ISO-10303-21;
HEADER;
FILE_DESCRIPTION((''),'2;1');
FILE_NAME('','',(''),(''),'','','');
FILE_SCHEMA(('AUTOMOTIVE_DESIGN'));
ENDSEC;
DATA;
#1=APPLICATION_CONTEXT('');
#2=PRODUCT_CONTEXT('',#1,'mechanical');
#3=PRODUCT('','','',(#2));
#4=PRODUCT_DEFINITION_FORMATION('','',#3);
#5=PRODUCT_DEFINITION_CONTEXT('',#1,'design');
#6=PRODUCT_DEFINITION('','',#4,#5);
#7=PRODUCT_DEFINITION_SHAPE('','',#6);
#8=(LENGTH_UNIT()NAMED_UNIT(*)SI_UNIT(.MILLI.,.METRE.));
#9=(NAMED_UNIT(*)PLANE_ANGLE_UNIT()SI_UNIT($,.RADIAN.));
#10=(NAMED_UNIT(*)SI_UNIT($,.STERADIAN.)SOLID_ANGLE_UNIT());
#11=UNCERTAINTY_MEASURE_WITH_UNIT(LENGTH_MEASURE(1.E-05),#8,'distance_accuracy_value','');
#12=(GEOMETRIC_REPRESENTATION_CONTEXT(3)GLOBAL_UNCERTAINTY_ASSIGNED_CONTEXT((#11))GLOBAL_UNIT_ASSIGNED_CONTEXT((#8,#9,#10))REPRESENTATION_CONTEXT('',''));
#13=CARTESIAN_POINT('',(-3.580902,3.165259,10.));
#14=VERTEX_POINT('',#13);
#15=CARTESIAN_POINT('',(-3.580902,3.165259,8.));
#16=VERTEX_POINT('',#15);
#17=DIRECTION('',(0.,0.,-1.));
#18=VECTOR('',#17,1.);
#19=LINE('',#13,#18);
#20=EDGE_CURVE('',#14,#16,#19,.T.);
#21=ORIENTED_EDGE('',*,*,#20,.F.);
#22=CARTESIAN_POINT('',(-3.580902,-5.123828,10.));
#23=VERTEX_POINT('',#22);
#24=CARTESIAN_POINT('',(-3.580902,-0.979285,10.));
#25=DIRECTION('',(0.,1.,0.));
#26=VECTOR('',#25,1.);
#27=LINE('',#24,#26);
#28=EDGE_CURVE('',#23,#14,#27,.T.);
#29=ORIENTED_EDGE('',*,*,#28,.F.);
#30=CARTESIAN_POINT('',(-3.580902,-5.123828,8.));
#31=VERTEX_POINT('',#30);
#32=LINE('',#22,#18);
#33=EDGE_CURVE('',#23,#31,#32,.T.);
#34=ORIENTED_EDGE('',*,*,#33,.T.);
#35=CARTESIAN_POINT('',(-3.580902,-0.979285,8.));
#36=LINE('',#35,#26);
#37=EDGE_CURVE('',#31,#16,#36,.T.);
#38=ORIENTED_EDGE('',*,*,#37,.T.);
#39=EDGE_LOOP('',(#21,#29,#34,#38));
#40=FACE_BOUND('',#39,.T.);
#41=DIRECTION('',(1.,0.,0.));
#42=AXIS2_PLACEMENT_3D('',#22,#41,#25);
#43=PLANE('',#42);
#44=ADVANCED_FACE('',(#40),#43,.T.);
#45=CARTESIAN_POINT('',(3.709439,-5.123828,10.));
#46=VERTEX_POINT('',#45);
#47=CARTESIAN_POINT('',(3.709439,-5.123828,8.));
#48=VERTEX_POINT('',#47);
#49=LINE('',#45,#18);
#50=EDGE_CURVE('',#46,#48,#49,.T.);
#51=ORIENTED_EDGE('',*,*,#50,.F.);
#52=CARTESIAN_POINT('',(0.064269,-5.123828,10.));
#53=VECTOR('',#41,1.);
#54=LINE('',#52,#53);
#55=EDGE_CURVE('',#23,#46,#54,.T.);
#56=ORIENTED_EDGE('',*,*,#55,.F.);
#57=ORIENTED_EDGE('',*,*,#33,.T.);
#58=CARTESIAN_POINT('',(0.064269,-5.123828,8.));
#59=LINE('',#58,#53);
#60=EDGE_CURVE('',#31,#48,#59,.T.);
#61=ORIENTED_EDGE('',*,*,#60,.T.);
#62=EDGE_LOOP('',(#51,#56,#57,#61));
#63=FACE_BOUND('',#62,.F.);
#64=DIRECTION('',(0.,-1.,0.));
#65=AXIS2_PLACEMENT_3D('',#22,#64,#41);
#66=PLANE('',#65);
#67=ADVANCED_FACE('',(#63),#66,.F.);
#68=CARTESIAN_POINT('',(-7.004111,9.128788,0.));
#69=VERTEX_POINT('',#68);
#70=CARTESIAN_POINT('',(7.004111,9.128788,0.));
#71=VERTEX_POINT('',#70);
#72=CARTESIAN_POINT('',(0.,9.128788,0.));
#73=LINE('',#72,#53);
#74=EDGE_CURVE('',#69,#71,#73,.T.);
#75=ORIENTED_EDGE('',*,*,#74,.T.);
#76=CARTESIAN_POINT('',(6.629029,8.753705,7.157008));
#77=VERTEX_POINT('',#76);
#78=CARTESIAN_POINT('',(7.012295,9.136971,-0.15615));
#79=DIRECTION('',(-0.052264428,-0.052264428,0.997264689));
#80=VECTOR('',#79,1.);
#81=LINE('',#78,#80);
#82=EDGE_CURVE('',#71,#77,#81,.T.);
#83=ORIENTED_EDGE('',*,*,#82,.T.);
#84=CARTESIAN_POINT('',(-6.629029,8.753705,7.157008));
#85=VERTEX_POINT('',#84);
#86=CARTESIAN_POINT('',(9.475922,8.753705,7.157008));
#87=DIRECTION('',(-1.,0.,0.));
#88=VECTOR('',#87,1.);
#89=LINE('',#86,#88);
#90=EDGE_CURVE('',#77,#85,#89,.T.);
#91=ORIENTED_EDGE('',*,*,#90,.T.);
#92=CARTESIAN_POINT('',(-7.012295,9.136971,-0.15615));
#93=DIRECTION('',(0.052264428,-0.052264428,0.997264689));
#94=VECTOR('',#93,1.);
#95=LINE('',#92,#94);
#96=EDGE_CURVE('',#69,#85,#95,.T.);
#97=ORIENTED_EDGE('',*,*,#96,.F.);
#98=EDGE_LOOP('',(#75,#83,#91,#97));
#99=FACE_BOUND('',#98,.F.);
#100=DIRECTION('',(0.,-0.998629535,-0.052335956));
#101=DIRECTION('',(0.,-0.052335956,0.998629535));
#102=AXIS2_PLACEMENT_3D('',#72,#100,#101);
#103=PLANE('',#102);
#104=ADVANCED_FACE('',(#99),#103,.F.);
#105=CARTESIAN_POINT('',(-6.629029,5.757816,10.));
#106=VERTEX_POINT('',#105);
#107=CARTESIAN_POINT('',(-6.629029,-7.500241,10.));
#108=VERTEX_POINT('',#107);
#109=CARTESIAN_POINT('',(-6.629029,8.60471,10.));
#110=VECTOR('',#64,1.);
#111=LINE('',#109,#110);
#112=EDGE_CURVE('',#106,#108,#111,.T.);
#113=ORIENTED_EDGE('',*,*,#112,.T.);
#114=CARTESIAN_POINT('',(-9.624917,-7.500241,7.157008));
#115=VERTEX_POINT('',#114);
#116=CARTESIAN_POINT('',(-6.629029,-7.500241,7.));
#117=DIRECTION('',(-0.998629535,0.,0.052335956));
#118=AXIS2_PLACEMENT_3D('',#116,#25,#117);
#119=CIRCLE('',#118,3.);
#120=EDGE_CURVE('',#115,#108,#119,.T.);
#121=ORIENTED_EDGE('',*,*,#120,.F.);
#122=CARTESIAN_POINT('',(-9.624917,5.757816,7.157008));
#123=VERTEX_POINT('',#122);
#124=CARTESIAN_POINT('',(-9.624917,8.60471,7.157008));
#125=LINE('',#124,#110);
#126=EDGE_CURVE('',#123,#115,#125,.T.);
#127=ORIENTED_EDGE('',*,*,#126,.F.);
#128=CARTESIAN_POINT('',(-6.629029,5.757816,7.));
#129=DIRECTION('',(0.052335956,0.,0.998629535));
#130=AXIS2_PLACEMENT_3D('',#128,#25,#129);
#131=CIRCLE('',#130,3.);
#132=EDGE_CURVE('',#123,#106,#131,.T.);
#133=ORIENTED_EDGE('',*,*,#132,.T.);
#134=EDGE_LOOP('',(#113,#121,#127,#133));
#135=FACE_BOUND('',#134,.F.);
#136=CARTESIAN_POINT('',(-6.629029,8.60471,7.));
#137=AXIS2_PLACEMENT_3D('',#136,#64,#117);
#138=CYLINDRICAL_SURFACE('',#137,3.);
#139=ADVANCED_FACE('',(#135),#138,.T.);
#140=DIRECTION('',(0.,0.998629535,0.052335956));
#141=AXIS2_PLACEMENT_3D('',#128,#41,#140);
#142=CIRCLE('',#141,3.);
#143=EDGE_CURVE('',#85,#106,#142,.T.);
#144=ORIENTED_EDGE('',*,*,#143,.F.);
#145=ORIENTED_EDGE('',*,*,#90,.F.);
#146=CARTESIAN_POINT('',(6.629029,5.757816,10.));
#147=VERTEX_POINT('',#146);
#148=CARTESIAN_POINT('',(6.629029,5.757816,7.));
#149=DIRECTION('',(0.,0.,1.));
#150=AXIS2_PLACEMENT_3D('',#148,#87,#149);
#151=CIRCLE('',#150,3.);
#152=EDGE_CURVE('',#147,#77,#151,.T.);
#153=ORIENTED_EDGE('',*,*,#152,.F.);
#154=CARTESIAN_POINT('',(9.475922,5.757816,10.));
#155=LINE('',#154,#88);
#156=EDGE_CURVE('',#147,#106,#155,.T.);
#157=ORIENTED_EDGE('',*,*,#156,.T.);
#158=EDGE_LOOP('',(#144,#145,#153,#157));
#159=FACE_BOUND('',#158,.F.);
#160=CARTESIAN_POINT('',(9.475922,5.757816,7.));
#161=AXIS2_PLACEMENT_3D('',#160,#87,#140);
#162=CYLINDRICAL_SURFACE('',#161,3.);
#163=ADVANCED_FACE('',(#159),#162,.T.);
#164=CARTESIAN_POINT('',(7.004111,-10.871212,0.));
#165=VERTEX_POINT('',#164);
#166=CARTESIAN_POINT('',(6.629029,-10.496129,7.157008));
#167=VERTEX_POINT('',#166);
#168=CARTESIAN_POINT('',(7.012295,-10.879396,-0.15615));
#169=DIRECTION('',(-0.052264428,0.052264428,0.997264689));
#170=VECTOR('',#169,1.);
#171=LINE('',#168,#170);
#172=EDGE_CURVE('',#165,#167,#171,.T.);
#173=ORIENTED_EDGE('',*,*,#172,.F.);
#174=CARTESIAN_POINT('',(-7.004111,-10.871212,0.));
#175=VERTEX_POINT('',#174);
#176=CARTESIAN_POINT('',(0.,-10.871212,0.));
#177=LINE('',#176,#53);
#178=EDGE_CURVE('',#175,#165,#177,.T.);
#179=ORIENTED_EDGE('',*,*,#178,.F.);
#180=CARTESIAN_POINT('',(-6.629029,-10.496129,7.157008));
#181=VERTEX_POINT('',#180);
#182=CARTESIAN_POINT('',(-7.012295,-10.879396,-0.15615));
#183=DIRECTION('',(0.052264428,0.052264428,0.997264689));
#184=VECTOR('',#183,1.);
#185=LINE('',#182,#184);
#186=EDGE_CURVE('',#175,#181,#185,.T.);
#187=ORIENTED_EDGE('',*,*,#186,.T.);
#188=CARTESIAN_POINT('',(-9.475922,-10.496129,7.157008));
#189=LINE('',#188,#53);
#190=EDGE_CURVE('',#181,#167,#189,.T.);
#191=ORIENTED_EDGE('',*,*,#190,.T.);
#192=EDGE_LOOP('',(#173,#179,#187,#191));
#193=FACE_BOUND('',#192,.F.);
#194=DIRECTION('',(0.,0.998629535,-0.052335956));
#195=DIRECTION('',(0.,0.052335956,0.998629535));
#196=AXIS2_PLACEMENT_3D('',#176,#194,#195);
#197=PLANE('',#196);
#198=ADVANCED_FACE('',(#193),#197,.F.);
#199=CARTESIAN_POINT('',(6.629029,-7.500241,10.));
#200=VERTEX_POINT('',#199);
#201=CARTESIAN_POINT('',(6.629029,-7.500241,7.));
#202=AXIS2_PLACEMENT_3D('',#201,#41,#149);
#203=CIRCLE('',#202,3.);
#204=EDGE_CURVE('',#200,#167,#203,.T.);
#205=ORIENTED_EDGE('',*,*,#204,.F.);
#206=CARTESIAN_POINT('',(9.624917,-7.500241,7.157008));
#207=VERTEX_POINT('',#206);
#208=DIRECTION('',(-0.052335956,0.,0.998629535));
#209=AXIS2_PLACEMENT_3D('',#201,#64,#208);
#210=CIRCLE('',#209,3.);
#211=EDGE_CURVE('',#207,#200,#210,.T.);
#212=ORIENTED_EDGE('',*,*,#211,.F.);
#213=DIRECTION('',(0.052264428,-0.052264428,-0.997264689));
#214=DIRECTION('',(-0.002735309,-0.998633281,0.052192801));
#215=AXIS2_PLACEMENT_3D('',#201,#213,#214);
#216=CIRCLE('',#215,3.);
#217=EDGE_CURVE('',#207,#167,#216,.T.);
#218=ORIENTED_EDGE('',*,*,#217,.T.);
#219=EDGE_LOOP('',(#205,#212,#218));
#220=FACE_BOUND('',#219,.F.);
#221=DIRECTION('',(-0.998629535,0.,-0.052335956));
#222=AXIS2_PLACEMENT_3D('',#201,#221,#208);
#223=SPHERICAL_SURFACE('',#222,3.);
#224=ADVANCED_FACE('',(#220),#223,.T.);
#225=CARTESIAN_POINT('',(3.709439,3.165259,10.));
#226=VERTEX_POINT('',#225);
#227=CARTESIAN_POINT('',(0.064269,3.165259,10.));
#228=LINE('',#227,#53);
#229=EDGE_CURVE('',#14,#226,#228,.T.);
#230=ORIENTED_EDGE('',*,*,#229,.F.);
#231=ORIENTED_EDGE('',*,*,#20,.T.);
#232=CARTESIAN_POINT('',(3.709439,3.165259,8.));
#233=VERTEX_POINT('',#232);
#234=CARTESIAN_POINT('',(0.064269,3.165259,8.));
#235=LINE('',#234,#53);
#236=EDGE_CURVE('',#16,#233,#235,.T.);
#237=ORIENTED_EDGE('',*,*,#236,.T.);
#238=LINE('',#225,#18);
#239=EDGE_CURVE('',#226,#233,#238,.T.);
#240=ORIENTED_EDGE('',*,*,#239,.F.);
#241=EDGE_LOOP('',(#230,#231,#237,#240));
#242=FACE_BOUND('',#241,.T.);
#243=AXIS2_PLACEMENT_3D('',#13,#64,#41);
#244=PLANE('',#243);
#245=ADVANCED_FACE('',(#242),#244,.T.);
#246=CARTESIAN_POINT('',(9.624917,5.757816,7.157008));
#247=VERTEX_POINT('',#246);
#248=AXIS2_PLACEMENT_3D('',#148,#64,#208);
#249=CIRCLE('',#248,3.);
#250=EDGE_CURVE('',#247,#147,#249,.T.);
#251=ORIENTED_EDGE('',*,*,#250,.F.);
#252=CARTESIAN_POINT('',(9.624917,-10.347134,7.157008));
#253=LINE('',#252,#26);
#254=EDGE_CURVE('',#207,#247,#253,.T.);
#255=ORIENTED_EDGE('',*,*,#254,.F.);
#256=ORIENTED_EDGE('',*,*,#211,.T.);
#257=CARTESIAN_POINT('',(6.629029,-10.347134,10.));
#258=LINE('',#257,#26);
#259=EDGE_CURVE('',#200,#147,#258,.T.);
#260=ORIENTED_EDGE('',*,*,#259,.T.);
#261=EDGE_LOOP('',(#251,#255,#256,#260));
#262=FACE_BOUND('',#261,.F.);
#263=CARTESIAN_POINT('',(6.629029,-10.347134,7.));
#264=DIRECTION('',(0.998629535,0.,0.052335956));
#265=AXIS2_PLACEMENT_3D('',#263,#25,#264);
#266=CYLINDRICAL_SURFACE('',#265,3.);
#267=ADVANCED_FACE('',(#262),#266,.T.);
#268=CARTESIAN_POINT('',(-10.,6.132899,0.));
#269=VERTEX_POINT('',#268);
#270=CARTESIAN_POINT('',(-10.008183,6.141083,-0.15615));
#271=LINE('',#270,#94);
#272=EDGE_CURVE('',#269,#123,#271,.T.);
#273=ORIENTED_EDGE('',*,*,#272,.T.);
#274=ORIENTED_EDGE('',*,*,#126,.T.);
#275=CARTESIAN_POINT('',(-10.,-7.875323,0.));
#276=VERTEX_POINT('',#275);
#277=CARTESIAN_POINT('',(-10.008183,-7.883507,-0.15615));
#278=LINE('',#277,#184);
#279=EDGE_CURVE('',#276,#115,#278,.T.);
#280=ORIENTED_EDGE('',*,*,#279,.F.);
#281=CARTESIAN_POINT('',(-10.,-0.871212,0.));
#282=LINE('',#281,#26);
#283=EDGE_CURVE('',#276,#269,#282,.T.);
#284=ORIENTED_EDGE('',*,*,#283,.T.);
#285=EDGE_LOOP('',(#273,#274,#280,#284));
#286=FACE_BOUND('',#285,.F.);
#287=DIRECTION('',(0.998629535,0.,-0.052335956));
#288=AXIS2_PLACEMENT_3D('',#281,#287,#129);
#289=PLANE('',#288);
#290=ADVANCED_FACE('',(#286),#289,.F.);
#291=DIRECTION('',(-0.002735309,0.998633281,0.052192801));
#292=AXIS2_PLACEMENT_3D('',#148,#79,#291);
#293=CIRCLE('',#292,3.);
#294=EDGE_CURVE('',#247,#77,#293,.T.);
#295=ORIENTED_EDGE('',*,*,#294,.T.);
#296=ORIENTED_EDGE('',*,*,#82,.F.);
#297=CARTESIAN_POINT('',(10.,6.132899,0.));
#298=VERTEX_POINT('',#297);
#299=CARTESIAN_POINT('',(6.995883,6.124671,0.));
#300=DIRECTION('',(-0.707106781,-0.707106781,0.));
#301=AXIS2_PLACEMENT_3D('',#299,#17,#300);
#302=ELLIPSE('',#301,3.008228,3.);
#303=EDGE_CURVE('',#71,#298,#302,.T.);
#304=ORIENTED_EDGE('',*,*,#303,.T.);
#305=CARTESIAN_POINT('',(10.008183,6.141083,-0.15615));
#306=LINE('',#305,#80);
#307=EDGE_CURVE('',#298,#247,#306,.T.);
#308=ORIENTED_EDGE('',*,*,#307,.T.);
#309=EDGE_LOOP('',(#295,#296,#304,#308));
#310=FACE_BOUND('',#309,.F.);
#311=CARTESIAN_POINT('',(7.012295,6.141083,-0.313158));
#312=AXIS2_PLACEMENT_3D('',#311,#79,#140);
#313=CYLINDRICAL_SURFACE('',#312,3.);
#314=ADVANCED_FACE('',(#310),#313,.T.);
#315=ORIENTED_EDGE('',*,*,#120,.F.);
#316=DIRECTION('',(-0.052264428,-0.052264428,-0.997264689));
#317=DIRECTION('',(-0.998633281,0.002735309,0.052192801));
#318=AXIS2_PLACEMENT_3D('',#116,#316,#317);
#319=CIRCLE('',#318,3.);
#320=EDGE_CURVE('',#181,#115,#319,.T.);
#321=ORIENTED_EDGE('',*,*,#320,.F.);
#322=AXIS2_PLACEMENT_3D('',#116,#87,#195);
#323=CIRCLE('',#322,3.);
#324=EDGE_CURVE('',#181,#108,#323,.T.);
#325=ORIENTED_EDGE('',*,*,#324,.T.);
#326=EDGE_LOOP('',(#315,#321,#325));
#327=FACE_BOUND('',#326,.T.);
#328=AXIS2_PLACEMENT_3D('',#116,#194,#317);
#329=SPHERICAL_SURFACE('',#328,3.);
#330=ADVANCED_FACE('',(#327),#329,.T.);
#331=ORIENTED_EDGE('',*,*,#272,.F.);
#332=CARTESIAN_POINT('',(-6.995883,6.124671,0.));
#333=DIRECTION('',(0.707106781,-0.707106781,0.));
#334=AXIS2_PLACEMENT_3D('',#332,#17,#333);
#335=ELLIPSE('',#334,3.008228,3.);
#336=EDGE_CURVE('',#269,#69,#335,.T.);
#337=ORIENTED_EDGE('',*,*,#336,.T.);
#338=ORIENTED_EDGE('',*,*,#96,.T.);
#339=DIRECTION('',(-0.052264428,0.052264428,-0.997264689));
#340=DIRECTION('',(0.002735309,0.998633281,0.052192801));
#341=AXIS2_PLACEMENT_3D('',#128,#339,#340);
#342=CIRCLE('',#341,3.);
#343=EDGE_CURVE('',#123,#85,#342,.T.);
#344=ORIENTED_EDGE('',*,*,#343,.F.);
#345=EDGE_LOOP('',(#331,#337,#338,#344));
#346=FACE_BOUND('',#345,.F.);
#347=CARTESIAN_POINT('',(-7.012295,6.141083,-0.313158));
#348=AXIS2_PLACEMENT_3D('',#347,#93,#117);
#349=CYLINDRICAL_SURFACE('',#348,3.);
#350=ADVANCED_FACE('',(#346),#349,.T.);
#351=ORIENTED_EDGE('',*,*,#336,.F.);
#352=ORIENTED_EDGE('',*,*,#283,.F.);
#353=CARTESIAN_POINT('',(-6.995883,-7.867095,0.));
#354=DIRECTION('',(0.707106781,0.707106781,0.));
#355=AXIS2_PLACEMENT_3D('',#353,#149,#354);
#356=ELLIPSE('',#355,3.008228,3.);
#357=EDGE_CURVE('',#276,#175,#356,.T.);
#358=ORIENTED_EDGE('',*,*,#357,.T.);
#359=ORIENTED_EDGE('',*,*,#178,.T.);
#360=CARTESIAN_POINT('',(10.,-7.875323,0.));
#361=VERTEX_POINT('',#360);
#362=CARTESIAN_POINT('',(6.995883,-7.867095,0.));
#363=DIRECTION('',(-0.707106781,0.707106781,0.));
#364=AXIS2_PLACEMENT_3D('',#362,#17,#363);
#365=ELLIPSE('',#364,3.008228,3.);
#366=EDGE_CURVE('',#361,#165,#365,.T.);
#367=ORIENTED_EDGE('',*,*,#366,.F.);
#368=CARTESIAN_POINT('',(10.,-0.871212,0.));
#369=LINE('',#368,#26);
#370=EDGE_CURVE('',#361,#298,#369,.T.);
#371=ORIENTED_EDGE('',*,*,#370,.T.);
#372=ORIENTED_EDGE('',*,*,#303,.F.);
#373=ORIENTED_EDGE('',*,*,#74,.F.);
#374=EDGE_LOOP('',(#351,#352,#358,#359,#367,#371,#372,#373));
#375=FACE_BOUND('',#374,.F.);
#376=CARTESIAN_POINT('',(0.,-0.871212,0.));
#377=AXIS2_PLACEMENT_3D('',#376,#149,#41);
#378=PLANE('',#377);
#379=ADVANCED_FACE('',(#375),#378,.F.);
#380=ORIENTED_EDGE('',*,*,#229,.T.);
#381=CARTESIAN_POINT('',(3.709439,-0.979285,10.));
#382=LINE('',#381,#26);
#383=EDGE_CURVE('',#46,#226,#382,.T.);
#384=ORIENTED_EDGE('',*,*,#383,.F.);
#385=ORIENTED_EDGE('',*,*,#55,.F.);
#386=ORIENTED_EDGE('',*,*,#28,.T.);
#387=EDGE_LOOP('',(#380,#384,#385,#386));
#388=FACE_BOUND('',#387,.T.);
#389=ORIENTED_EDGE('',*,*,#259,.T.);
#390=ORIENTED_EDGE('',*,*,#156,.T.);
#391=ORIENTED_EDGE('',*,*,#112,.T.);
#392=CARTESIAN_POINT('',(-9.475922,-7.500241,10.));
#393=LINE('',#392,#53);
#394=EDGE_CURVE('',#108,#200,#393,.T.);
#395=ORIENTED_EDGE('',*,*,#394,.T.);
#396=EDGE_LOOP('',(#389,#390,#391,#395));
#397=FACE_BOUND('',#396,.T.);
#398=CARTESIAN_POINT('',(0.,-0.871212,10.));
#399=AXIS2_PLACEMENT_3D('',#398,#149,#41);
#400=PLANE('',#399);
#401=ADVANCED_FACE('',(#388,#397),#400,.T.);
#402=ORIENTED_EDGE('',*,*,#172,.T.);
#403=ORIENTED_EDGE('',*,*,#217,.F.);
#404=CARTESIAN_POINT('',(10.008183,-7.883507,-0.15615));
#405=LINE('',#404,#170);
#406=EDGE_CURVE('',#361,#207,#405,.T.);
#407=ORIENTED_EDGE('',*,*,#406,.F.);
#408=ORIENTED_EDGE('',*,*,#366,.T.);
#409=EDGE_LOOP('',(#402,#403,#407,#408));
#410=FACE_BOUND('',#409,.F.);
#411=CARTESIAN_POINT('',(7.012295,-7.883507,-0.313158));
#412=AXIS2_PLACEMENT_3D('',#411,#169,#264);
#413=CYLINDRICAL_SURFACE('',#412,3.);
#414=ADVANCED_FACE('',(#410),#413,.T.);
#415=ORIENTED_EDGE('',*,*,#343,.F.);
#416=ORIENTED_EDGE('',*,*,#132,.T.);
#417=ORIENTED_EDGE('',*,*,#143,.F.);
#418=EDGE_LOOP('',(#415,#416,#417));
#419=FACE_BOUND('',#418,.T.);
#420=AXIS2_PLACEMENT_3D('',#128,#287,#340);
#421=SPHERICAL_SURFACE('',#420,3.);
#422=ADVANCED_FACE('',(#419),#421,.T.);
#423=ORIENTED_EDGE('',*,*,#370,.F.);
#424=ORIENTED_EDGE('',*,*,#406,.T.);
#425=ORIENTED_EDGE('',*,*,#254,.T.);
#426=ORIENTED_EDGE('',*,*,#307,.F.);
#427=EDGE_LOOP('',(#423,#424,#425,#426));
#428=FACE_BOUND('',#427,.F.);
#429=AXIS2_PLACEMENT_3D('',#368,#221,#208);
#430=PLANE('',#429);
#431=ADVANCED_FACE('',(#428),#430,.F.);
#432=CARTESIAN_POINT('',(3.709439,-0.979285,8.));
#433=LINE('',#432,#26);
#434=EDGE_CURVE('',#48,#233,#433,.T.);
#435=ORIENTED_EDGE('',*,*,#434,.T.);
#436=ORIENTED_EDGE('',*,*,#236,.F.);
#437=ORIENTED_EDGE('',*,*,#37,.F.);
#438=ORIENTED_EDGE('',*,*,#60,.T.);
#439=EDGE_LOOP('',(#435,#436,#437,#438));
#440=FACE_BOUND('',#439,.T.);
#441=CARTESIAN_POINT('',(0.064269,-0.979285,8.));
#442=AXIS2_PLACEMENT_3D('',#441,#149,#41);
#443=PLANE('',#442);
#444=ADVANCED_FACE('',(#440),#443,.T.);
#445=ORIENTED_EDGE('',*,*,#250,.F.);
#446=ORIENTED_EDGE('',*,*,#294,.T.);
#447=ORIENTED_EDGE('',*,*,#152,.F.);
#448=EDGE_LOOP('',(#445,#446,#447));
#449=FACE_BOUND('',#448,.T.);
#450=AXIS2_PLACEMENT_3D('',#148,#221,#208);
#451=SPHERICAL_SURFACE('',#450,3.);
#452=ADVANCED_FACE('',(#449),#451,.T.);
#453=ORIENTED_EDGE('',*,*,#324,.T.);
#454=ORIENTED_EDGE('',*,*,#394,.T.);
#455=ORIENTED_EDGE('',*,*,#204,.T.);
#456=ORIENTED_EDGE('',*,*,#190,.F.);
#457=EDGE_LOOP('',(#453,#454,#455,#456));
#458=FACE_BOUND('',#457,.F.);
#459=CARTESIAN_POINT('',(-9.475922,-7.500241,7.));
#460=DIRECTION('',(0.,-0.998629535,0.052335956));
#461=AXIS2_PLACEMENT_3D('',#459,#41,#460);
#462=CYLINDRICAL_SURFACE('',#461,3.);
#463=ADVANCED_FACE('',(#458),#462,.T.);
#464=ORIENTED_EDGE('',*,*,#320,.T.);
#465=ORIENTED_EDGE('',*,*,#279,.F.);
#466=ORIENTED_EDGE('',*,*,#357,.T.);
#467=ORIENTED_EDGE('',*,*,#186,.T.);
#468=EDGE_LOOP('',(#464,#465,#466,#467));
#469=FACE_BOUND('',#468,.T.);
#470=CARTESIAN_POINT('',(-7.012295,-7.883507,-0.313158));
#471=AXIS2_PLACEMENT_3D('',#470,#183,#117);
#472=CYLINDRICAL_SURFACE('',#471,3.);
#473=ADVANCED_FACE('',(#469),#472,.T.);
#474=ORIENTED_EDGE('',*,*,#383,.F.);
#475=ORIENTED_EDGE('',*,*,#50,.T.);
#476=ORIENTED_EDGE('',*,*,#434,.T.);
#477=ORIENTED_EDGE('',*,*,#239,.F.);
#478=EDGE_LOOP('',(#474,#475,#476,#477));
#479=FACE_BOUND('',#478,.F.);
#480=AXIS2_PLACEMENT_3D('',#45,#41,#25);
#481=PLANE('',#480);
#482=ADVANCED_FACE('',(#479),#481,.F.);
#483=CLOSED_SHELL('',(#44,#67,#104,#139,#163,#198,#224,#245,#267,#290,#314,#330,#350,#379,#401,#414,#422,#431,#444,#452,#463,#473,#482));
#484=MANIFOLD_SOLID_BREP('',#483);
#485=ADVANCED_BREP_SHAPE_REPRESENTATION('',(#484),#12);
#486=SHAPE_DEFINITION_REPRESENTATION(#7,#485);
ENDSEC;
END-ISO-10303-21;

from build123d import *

# Parameters (mm, degrees)
F0_W     = 20
F0_H     = 20
F1_DEPTH = 10
F1_TAPER = 3
F2_R     = 3
F3_W     = 7.29034096
F3_H     = 8.2890868653
F4_DEPTH = 2


with BuildPart() as f1:
    # F0 (on Top) → F1 (new body)
    with BuildSketch(Plane.XY):
        with Locations((0, -0.8712120694)):
            Rectangle(F0_W, F0_H)
    extrude(amount=F1_DEPTH, taper=F1_TAPER)

    # F2
    f2_edges = [f1.edges().sort_by_distance(p)[0] for p in [
        (0, 8.60471, 10),
        (-9.737961, 8.866749, 5),
        (-9.475922, -0.871212, 10),
        (-9.737961, -10.609173, 5),
        (0, -10.347134, 10),
        (9.475922, -0.871212, 10),
        (9.737961, 8.866749, 5),
        (9.737961, -10.609173, 5),
    ]]
    fillet(f2_edges, radius=F2_R)

    # F3 (on face) → F4 (cut)
    with BuildSketch(Plane.XY.offset(10)):
        with Locations((0.0642689411, -0.9792846395)):
            Rectangle(F3_W, F3_H)
    extrude(amount=-F4_DEPTH, mode=Mode.SUBTRACT)


solid = f1.part
